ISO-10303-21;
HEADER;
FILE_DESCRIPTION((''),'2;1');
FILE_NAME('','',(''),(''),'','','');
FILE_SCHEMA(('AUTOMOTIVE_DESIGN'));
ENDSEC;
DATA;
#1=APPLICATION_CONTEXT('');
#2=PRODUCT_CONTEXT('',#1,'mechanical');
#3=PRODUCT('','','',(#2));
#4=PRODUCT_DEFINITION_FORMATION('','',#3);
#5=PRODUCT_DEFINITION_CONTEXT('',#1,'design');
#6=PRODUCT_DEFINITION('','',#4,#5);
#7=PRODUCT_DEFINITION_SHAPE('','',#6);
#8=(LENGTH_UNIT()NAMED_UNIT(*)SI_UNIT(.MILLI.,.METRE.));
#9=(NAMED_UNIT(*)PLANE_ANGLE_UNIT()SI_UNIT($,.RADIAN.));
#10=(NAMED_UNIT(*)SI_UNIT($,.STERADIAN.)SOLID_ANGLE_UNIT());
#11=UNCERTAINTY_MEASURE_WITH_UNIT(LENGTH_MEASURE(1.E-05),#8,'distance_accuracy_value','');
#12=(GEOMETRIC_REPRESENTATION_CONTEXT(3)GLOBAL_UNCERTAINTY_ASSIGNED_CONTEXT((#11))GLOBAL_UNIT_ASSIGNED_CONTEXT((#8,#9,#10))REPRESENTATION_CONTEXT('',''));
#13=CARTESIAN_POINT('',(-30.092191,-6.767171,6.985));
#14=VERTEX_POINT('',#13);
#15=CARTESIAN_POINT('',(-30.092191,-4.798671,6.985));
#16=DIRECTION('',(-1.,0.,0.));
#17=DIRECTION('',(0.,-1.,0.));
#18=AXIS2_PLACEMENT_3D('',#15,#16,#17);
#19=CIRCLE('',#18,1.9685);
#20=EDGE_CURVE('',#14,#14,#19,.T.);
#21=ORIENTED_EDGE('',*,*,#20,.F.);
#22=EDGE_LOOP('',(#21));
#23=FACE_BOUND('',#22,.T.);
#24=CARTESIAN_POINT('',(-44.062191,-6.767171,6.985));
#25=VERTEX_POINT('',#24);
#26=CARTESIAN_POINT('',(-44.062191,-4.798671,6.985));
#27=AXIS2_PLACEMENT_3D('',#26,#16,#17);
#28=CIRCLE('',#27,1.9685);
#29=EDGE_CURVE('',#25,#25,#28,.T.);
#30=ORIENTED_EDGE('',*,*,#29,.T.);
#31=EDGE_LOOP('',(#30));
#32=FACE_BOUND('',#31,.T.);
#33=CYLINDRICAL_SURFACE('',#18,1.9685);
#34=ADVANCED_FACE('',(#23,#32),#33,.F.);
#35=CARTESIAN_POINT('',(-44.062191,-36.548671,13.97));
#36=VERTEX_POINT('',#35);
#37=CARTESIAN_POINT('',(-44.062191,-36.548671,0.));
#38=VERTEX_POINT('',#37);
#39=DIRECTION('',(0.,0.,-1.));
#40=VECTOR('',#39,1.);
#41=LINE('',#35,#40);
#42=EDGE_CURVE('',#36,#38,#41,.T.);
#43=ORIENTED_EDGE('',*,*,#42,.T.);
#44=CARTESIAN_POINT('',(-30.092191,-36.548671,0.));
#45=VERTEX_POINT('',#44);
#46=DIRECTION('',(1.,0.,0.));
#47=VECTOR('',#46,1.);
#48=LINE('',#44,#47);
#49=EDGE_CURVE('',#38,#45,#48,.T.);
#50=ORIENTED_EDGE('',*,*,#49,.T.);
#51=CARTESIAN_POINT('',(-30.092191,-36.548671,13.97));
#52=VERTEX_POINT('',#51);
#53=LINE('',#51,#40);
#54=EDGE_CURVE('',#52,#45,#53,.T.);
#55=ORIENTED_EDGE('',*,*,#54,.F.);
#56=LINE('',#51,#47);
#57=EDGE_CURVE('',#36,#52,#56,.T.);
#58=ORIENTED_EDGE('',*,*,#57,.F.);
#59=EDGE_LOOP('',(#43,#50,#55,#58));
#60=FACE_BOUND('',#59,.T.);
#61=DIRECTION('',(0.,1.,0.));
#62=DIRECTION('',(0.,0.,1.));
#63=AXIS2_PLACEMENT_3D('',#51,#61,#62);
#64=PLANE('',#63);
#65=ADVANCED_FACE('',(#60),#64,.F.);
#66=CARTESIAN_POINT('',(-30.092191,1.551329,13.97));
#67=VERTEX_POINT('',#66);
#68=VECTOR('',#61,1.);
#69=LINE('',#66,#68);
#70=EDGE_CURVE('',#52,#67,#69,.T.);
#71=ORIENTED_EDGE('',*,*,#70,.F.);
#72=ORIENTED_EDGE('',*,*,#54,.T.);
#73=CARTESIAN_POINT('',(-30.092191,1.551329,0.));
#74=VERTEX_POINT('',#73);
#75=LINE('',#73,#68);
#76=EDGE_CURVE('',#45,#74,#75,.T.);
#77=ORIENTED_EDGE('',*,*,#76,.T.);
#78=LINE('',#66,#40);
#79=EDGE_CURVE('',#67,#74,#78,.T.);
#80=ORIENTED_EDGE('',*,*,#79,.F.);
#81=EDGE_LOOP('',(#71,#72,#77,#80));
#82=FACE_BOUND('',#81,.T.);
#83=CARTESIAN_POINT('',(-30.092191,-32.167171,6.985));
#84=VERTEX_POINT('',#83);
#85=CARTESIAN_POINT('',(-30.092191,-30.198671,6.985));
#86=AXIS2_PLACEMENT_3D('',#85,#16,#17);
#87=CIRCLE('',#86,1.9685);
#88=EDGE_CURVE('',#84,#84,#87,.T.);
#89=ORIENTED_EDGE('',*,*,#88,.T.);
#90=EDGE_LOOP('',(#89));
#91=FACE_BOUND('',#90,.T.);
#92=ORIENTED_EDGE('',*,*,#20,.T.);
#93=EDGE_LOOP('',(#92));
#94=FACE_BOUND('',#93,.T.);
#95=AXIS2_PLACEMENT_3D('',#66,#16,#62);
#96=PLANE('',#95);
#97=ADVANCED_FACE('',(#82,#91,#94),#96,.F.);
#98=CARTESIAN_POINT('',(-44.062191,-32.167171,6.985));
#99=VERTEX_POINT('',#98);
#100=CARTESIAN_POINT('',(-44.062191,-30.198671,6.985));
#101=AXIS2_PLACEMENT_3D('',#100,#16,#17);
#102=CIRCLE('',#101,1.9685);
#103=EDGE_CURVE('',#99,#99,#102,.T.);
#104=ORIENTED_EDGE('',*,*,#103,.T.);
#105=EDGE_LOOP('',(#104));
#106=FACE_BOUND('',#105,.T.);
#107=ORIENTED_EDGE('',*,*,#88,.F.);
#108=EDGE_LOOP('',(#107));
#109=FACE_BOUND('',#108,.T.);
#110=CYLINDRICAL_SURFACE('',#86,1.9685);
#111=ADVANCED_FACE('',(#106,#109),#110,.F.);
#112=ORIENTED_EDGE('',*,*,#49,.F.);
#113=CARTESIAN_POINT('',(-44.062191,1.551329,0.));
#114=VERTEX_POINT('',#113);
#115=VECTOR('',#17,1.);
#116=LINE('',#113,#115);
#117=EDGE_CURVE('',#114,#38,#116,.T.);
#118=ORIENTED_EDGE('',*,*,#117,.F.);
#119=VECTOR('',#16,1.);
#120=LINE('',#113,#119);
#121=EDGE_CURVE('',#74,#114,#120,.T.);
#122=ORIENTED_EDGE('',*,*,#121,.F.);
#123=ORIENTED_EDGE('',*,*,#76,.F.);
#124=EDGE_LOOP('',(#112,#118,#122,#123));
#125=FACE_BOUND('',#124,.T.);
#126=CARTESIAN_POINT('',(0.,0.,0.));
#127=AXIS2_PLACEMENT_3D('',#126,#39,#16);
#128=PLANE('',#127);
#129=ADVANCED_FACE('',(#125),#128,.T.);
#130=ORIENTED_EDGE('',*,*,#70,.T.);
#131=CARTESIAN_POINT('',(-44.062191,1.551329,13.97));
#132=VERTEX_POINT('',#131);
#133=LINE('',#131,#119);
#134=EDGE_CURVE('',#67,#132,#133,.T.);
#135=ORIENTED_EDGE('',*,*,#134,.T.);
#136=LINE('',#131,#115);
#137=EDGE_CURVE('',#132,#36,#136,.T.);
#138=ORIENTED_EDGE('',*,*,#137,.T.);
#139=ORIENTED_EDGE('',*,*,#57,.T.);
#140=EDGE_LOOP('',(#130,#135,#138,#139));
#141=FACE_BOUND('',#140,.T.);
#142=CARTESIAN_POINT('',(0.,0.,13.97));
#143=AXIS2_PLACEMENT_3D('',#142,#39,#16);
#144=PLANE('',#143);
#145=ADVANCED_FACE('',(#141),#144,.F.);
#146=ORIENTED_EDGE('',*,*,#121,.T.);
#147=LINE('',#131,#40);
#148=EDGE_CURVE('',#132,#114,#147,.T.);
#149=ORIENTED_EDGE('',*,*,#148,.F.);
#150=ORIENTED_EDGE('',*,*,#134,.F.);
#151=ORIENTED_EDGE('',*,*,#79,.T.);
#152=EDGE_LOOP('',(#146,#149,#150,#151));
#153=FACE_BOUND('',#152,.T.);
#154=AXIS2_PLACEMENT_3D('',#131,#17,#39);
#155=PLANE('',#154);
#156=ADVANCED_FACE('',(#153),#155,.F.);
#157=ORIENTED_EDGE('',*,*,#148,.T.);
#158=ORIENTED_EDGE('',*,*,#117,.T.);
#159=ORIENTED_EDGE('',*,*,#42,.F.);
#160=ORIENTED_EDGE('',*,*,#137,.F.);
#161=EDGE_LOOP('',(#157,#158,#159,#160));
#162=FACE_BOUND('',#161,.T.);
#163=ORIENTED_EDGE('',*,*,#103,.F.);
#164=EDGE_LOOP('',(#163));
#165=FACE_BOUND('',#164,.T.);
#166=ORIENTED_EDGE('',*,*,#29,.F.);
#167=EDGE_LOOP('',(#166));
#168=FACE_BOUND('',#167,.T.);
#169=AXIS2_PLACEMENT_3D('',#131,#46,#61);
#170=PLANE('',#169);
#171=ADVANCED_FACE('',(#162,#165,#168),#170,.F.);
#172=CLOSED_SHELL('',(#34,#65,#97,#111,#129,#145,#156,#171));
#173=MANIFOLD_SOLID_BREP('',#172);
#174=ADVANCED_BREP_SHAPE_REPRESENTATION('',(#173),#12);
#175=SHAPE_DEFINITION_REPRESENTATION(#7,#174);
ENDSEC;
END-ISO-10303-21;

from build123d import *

# Parameters (mm, degrees)
SKETCH1_W           = 13.97
SKETCH1_H           = 38.1
BOSS_EXTRUDE1_DEPTH = 13.97
SKETCH2_R           = 1.9685
CUT_EXTRUDE2_DEPTH  = 13.97


with BuildPart() as part:
    # Sketch1 → Boss-Extrude1 (new body)
    with BuildSketch(Plane.XY):
        with Locations((-37.077191011, -17.498671499)):
            Rectangle(SKETCH1_W, SKETCH1_H)
    extrude(amount=BOSS_EXTRUDE1_DEPTH)

    # Sketch2 → Cut-Extrude2 (cut)
    with BuildSketch(Plane.ZY.offset(44.062191011)):
        with Locations((6.985, -4.798671499)):
            Circle(SKETCH2_R)
        with Locations((6.985, -30.198671499)):
            Circle(SKETCH2_R)
    extrude(amount=-CUT_EXTRUDE2_DEPTH, mode=Mode.SUBTRACT)


solid = part.part
